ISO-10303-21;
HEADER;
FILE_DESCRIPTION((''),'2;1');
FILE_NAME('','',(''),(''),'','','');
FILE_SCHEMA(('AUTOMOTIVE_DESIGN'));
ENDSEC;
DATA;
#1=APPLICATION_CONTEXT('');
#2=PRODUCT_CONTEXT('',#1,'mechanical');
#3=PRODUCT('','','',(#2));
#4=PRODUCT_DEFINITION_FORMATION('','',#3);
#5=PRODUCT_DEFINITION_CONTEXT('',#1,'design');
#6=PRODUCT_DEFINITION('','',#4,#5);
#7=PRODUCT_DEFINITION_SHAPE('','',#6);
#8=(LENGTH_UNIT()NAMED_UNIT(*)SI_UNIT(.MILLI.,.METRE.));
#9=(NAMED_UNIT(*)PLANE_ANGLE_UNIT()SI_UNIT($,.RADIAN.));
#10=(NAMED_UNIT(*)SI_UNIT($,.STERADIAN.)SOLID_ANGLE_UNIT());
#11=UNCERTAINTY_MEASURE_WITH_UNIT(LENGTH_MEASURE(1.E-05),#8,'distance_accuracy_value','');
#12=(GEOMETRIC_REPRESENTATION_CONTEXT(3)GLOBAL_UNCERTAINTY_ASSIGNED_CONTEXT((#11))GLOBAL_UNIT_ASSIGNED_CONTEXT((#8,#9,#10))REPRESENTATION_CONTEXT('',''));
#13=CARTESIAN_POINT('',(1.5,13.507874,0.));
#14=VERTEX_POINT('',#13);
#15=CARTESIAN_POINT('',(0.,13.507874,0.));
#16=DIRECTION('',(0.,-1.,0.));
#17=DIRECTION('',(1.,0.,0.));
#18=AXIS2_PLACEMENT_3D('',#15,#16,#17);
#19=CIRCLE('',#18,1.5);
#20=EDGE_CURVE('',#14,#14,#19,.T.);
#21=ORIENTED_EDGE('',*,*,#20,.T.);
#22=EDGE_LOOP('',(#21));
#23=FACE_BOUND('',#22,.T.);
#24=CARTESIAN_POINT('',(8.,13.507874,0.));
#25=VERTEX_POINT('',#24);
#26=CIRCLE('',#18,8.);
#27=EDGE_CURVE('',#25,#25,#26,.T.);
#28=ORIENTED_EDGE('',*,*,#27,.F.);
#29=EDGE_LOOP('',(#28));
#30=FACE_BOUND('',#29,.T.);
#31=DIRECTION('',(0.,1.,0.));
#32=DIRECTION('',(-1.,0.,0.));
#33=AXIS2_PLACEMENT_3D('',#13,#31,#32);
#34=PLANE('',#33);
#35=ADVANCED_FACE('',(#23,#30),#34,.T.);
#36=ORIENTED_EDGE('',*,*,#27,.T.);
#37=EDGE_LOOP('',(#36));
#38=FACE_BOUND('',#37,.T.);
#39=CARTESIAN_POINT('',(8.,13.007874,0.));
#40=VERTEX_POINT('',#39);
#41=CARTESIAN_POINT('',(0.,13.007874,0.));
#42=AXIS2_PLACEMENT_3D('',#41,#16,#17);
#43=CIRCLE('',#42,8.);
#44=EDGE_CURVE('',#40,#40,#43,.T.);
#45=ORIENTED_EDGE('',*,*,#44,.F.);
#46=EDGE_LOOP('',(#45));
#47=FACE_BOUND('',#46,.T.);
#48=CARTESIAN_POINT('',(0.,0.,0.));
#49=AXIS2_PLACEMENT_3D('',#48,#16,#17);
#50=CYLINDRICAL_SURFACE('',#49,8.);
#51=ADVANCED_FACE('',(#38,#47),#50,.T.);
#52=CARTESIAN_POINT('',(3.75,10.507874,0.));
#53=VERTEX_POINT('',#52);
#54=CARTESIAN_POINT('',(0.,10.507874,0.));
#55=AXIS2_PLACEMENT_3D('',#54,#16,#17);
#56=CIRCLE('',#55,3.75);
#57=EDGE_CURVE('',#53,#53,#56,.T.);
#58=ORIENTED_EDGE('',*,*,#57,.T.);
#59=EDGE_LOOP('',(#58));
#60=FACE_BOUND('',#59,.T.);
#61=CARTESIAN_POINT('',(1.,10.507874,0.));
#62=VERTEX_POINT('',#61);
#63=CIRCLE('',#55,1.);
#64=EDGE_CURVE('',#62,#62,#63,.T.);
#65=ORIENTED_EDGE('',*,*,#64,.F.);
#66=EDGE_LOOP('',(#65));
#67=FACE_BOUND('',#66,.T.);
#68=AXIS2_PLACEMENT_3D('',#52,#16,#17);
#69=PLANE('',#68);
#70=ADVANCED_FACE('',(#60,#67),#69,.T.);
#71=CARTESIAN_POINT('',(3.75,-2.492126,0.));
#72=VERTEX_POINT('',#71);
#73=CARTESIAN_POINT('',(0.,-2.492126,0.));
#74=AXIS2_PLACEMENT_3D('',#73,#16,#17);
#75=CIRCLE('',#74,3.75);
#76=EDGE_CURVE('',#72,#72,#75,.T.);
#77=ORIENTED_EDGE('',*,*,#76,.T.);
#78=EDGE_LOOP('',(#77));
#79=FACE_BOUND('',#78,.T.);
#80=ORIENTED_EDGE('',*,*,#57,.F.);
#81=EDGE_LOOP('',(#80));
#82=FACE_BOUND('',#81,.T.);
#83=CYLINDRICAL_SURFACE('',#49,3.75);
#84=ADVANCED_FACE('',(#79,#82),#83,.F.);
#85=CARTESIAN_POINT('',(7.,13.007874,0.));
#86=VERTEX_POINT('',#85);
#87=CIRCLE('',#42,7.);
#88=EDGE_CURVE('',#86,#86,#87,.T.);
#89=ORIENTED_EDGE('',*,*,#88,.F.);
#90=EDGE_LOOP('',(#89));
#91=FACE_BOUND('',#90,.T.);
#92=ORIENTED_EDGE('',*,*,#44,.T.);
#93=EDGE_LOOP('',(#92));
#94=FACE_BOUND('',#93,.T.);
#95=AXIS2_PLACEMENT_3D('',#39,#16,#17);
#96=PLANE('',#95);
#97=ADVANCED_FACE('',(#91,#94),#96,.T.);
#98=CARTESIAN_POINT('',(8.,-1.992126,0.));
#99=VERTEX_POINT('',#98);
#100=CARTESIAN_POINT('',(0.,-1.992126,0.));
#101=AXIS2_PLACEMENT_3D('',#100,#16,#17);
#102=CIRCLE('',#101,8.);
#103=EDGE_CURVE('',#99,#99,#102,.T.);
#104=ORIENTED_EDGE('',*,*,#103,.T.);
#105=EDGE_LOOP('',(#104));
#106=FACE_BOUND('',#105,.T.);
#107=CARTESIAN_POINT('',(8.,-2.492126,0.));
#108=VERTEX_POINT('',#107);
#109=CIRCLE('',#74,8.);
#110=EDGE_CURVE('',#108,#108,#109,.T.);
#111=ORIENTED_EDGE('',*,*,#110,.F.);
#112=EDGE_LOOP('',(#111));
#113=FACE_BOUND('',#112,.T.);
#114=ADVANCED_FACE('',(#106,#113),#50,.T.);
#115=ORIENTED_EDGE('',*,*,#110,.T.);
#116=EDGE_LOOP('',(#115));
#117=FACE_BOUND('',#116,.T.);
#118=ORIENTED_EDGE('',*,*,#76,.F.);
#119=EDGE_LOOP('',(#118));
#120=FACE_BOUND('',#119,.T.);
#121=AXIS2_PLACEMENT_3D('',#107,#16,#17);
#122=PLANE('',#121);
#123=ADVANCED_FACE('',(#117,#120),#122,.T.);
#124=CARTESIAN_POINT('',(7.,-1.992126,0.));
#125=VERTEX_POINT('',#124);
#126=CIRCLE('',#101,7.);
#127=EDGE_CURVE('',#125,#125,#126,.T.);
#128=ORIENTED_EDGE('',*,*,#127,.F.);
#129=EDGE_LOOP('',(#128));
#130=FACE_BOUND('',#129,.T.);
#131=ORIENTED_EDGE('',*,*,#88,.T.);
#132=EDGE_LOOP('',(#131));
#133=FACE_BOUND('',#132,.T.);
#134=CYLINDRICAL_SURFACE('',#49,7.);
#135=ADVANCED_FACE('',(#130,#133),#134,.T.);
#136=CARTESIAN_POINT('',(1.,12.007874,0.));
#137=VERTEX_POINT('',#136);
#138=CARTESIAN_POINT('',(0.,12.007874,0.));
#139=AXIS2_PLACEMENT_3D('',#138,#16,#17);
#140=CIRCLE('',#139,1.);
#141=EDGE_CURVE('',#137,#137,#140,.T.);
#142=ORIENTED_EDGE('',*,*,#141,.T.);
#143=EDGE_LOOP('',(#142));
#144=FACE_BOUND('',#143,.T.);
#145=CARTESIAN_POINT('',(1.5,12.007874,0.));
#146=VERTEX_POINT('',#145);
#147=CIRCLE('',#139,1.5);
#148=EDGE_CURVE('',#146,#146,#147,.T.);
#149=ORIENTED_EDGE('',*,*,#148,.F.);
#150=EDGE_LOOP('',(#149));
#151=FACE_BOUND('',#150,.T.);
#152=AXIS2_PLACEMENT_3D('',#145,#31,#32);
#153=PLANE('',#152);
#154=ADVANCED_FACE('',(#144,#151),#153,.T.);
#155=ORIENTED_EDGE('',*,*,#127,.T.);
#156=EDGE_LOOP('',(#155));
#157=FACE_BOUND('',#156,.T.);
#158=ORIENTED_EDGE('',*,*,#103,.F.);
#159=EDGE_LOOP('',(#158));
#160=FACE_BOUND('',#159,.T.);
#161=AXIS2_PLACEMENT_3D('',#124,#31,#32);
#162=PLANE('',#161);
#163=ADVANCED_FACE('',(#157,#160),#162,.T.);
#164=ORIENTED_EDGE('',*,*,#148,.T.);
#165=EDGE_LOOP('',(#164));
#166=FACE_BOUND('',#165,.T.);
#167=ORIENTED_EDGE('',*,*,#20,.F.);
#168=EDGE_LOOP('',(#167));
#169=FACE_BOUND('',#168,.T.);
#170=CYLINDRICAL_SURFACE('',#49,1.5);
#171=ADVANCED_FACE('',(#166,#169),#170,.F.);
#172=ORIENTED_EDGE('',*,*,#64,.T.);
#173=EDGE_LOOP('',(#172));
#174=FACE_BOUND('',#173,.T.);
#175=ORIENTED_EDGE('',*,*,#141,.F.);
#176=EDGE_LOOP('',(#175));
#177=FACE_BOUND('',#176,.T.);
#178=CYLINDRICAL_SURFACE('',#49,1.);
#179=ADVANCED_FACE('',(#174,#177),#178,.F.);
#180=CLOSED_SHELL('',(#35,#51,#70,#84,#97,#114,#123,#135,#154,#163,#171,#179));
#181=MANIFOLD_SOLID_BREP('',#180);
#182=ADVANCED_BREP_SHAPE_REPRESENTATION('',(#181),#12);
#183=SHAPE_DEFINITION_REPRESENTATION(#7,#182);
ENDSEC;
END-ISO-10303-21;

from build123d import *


with BuildPart() as part:
    # Sketch1 → Revolve1 (revolve)
    with BuildSketch(Plane.XY):
        Polygon((1.5, 13.507873582), (8, 13.507873582), (8, 13.007873582), (7, 13.007873582), (7, -1.992126418), (8, -1.992126418), (8, -2.492126418), (3.75, -2.492126418), (3.75, 10.507873582), (1, 10.507873582), (1, 12.007873582), (1.5, 12.007873582), align=None)
    revolve(axis=Axis((0, 0, 0), (0, 1, 0)))


solid = part.part
